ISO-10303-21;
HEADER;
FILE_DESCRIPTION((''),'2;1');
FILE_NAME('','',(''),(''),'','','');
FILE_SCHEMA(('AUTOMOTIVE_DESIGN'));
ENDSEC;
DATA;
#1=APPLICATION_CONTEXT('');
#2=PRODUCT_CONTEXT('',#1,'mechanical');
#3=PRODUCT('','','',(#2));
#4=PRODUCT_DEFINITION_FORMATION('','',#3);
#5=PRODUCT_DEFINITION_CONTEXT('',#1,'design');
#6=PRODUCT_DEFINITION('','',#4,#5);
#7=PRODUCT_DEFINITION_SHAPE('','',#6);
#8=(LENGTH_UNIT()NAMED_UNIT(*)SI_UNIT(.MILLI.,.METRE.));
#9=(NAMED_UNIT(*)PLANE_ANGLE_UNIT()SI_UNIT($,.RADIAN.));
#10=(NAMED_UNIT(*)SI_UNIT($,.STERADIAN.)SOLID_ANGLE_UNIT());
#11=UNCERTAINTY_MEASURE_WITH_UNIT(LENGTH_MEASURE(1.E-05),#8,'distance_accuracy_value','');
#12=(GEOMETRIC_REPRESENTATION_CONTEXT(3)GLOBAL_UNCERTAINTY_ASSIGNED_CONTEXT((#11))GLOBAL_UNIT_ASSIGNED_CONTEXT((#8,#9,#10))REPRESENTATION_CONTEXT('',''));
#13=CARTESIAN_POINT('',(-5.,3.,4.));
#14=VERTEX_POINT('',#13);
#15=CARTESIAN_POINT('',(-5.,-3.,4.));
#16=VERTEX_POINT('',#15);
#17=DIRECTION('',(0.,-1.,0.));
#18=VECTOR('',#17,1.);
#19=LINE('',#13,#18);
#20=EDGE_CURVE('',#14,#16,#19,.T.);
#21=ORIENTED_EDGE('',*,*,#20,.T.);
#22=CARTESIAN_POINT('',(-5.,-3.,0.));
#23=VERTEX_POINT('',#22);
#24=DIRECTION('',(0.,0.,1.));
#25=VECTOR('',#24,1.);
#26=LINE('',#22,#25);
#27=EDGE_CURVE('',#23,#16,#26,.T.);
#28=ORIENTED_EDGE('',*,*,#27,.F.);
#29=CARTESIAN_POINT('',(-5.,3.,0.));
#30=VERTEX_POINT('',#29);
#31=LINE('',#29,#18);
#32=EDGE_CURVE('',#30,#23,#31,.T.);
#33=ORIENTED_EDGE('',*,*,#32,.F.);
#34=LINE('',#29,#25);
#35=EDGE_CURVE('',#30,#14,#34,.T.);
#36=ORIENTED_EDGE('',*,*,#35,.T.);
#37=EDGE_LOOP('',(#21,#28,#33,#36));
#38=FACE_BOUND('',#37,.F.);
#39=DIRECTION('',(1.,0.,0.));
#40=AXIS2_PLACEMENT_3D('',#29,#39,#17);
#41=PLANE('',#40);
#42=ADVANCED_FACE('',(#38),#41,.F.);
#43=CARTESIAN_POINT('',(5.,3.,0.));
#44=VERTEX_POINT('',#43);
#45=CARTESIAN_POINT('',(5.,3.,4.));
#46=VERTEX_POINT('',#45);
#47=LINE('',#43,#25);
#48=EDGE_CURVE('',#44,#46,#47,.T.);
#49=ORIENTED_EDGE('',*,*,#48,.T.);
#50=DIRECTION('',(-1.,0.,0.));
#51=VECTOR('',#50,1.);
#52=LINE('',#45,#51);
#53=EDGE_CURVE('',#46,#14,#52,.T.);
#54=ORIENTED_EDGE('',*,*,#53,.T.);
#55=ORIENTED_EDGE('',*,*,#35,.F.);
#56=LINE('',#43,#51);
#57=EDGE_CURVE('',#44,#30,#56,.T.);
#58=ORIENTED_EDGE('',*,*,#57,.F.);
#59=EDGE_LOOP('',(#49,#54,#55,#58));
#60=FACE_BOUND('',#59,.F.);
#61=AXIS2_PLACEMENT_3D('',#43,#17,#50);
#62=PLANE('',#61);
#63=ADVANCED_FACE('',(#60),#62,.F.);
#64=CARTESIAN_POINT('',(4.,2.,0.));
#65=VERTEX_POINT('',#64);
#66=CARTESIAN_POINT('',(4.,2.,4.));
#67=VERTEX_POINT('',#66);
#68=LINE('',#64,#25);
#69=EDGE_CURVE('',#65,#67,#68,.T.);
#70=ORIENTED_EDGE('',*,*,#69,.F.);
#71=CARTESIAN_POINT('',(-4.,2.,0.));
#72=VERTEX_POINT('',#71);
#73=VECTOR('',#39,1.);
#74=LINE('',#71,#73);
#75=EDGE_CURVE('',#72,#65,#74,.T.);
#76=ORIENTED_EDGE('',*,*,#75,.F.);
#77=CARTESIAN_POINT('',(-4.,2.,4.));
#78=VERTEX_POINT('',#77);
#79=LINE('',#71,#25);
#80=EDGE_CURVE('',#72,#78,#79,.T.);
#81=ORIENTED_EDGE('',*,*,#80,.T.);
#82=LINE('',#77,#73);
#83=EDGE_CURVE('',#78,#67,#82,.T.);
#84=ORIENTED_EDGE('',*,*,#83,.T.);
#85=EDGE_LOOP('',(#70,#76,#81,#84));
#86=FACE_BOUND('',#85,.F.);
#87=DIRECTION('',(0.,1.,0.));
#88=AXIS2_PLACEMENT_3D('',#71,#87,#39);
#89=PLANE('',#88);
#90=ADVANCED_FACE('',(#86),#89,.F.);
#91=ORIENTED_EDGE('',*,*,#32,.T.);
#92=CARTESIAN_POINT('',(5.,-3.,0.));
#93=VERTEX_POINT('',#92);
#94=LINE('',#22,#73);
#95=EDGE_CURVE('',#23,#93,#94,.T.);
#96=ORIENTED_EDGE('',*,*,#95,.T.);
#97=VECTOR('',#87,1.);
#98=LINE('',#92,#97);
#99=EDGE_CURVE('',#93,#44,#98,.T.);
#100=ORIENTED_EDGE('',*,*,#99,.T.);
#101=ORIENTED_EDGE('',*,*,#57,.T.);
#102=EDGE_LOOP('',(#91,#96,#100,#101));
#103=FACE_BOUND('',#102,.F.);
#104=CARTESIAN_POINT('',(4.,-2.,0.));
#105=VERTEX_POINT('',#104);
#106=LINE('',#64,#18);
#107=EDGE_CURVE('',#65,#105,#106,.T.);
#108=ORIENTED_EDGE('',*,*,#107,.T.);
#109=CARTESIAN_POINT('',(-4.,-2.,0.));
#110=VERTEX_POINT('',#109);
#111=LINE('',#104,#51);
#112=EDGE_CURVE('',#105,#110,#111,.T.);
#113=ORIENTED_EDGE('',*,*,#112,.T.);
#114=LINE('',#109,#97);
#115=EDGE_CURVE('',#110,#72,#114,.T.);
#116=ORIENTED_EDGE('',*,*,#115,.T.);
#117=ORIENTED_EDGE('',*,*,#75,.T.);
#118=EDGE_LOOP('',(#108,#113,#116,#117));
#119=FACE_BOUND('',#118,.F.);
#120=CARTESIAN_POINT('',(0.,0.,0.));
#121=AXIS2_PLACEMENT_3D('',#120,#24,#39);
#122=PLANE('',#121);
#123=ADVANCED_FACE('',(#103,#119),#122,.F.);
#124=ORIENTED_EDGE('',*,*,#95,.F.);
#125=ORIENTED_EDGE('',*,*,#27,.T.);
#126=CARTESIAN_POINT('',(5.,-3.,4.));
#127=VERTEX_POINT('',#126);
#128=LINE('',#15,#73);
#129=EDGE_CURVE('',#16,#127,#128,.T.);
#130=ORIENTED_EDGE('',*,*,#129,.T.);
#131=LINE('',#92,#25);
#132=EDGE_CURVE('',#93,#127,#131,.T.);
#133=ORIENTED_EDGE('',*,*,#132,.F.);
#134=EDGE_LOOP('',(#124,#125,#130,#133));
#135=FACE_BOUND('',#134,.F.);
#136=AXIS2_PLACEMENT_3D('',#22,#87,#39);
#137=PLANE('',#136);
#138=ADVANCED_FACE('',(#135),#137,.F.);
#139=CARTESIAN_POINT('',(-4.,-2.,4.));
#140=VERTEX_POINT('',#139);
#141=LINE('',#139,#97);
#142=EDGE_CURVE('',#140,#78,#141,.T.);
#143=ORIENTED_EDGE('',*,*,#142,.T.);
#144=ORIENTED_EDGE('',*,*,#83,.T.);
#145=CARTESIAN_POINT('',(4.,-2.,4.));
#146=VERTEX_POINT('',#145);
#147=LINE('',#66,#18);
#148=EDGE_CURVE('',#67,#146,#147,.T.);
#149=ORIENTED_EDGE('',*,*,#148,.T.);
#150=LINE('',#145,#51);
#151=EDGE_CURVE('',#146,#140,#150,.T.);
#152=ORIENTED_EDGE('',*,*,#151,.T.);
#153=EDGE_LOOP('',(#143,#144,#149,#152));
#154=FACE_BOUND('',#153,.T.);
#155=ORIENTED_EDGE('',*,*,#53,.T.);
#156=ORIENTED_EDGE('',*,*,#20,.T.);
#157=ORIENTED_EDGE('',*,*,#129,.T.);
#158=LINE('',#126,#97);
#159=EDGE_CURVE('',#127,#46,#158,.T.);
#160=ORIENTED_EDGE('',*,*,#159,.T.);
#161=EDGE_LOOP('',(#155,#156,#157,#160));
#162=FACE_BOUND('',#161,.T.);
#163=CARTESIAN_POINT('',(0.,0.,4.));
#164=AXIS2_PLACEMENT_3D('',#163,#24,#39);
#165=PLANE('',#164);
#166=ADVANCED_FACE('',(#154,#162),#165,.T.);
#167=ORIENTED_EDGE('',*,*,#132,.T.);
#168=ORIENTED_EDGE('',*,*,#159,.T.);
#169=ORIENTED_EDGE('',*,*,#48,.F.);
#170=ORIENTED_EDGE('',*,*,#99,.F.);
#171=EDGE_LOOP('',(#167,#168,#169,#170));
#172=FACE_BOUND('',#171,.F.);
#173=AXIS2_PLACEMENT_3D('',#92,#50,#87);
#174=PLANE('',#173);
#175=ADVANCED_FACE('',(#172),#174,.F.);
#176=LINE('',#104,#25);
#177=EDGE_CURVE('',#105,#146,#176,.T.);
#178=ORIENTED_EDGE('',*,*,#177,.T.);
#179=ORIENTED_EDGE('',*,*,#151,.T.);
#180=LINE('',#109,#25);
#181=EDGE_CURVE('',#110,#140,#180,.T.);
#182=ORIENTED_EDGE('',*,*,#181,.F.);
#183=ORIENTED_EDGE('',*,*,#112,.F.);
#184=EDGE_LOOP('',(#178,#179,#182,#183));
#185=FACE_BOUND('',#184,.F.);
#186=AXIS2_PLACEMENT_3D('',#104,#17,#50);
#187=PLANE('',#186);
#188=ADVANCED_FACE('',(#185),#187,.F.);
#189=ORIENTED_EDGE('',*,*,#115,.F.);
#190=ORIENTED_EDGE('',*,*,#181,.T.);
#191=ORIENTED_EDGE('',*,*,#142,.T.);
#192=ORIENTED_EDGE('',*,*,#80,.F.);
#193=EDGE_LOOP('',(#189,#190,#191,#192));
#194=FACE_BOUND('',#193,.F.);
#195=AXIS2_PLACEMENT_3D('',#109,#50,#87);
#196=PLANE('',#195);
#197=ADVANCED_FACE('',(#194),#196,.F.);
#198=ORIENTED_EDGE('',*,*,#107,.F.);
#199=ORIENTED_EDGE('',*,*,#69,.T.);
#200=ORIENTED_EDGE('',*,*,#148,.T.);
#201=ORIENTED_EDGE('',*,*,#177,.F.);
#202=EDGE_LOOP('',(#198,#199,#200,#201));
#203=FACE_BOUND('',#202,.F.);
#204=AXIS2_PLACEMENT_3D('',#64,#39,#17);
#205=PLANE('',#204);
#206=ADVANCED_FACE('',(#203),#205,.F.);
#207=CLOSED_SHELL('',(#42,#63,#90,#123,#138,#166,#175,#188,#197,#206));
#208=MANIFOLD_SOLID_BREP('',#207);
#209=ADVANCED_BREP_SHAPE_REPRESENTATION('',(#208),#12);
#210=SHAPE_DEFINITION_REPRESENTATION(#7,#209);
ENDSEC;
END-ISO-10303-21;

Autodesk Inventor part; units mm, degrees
ref_plane "YZ Plane" through (0, 0, 0) normal (1, 0, 0) x (0, 1, 0)
ref_plane "XZ Plane" through (0, 0, 0) normal (0, 1, 0) x (-1, 0, 0)
sketch "Sketch1" plane through (0, 0, 0) normal (0, 0, 1) x (1, 0, 0)
  line L0 (-4, 2) -> (4, 2)
  line L1 (4, 2) -> (4, -2)
  line L2 (4, -2) -> (-4, -2)
  line L3 (-4, -2) -> (-4, 2)
  line L4 (5, 3) -> (-5, 3)
  line L5 (-5, 3) -> (-5, -3)
  line L6 (-5, -3) -> (5, -3)
  line L7 (5, -3) -> (5, 3)
  point P0 (0, 0)
  dimension "d0" = 8
  dimension "d1" = 4
  dimension "d2" = 2
  dimension "d3" = 4
  dimension "d5" = 1
extrude "Extrusion1" add sketch "Sketch1" along normal blind 4
ref_plane "Work Plane1" through (0, 0, 2) normal (0, 0, 1) x (1, 0, 0)
sketch "Sketch2" plane through (0, 0, 2) normal (0, 0, 1) x (1, 0, 0)
  line L0 (0, 0) -> (5.4411, 0) construction
  point P0 (2.25, 1)
  point P1 (0.75, 1)
  point P2 (-0.75, 1)
  point P3 (-2.25, 1)
  dimension "d11" = 1.5
  dimension "d16" = 2.25
  dimension "d17" = 1
properties part number "CrimpSocket"
